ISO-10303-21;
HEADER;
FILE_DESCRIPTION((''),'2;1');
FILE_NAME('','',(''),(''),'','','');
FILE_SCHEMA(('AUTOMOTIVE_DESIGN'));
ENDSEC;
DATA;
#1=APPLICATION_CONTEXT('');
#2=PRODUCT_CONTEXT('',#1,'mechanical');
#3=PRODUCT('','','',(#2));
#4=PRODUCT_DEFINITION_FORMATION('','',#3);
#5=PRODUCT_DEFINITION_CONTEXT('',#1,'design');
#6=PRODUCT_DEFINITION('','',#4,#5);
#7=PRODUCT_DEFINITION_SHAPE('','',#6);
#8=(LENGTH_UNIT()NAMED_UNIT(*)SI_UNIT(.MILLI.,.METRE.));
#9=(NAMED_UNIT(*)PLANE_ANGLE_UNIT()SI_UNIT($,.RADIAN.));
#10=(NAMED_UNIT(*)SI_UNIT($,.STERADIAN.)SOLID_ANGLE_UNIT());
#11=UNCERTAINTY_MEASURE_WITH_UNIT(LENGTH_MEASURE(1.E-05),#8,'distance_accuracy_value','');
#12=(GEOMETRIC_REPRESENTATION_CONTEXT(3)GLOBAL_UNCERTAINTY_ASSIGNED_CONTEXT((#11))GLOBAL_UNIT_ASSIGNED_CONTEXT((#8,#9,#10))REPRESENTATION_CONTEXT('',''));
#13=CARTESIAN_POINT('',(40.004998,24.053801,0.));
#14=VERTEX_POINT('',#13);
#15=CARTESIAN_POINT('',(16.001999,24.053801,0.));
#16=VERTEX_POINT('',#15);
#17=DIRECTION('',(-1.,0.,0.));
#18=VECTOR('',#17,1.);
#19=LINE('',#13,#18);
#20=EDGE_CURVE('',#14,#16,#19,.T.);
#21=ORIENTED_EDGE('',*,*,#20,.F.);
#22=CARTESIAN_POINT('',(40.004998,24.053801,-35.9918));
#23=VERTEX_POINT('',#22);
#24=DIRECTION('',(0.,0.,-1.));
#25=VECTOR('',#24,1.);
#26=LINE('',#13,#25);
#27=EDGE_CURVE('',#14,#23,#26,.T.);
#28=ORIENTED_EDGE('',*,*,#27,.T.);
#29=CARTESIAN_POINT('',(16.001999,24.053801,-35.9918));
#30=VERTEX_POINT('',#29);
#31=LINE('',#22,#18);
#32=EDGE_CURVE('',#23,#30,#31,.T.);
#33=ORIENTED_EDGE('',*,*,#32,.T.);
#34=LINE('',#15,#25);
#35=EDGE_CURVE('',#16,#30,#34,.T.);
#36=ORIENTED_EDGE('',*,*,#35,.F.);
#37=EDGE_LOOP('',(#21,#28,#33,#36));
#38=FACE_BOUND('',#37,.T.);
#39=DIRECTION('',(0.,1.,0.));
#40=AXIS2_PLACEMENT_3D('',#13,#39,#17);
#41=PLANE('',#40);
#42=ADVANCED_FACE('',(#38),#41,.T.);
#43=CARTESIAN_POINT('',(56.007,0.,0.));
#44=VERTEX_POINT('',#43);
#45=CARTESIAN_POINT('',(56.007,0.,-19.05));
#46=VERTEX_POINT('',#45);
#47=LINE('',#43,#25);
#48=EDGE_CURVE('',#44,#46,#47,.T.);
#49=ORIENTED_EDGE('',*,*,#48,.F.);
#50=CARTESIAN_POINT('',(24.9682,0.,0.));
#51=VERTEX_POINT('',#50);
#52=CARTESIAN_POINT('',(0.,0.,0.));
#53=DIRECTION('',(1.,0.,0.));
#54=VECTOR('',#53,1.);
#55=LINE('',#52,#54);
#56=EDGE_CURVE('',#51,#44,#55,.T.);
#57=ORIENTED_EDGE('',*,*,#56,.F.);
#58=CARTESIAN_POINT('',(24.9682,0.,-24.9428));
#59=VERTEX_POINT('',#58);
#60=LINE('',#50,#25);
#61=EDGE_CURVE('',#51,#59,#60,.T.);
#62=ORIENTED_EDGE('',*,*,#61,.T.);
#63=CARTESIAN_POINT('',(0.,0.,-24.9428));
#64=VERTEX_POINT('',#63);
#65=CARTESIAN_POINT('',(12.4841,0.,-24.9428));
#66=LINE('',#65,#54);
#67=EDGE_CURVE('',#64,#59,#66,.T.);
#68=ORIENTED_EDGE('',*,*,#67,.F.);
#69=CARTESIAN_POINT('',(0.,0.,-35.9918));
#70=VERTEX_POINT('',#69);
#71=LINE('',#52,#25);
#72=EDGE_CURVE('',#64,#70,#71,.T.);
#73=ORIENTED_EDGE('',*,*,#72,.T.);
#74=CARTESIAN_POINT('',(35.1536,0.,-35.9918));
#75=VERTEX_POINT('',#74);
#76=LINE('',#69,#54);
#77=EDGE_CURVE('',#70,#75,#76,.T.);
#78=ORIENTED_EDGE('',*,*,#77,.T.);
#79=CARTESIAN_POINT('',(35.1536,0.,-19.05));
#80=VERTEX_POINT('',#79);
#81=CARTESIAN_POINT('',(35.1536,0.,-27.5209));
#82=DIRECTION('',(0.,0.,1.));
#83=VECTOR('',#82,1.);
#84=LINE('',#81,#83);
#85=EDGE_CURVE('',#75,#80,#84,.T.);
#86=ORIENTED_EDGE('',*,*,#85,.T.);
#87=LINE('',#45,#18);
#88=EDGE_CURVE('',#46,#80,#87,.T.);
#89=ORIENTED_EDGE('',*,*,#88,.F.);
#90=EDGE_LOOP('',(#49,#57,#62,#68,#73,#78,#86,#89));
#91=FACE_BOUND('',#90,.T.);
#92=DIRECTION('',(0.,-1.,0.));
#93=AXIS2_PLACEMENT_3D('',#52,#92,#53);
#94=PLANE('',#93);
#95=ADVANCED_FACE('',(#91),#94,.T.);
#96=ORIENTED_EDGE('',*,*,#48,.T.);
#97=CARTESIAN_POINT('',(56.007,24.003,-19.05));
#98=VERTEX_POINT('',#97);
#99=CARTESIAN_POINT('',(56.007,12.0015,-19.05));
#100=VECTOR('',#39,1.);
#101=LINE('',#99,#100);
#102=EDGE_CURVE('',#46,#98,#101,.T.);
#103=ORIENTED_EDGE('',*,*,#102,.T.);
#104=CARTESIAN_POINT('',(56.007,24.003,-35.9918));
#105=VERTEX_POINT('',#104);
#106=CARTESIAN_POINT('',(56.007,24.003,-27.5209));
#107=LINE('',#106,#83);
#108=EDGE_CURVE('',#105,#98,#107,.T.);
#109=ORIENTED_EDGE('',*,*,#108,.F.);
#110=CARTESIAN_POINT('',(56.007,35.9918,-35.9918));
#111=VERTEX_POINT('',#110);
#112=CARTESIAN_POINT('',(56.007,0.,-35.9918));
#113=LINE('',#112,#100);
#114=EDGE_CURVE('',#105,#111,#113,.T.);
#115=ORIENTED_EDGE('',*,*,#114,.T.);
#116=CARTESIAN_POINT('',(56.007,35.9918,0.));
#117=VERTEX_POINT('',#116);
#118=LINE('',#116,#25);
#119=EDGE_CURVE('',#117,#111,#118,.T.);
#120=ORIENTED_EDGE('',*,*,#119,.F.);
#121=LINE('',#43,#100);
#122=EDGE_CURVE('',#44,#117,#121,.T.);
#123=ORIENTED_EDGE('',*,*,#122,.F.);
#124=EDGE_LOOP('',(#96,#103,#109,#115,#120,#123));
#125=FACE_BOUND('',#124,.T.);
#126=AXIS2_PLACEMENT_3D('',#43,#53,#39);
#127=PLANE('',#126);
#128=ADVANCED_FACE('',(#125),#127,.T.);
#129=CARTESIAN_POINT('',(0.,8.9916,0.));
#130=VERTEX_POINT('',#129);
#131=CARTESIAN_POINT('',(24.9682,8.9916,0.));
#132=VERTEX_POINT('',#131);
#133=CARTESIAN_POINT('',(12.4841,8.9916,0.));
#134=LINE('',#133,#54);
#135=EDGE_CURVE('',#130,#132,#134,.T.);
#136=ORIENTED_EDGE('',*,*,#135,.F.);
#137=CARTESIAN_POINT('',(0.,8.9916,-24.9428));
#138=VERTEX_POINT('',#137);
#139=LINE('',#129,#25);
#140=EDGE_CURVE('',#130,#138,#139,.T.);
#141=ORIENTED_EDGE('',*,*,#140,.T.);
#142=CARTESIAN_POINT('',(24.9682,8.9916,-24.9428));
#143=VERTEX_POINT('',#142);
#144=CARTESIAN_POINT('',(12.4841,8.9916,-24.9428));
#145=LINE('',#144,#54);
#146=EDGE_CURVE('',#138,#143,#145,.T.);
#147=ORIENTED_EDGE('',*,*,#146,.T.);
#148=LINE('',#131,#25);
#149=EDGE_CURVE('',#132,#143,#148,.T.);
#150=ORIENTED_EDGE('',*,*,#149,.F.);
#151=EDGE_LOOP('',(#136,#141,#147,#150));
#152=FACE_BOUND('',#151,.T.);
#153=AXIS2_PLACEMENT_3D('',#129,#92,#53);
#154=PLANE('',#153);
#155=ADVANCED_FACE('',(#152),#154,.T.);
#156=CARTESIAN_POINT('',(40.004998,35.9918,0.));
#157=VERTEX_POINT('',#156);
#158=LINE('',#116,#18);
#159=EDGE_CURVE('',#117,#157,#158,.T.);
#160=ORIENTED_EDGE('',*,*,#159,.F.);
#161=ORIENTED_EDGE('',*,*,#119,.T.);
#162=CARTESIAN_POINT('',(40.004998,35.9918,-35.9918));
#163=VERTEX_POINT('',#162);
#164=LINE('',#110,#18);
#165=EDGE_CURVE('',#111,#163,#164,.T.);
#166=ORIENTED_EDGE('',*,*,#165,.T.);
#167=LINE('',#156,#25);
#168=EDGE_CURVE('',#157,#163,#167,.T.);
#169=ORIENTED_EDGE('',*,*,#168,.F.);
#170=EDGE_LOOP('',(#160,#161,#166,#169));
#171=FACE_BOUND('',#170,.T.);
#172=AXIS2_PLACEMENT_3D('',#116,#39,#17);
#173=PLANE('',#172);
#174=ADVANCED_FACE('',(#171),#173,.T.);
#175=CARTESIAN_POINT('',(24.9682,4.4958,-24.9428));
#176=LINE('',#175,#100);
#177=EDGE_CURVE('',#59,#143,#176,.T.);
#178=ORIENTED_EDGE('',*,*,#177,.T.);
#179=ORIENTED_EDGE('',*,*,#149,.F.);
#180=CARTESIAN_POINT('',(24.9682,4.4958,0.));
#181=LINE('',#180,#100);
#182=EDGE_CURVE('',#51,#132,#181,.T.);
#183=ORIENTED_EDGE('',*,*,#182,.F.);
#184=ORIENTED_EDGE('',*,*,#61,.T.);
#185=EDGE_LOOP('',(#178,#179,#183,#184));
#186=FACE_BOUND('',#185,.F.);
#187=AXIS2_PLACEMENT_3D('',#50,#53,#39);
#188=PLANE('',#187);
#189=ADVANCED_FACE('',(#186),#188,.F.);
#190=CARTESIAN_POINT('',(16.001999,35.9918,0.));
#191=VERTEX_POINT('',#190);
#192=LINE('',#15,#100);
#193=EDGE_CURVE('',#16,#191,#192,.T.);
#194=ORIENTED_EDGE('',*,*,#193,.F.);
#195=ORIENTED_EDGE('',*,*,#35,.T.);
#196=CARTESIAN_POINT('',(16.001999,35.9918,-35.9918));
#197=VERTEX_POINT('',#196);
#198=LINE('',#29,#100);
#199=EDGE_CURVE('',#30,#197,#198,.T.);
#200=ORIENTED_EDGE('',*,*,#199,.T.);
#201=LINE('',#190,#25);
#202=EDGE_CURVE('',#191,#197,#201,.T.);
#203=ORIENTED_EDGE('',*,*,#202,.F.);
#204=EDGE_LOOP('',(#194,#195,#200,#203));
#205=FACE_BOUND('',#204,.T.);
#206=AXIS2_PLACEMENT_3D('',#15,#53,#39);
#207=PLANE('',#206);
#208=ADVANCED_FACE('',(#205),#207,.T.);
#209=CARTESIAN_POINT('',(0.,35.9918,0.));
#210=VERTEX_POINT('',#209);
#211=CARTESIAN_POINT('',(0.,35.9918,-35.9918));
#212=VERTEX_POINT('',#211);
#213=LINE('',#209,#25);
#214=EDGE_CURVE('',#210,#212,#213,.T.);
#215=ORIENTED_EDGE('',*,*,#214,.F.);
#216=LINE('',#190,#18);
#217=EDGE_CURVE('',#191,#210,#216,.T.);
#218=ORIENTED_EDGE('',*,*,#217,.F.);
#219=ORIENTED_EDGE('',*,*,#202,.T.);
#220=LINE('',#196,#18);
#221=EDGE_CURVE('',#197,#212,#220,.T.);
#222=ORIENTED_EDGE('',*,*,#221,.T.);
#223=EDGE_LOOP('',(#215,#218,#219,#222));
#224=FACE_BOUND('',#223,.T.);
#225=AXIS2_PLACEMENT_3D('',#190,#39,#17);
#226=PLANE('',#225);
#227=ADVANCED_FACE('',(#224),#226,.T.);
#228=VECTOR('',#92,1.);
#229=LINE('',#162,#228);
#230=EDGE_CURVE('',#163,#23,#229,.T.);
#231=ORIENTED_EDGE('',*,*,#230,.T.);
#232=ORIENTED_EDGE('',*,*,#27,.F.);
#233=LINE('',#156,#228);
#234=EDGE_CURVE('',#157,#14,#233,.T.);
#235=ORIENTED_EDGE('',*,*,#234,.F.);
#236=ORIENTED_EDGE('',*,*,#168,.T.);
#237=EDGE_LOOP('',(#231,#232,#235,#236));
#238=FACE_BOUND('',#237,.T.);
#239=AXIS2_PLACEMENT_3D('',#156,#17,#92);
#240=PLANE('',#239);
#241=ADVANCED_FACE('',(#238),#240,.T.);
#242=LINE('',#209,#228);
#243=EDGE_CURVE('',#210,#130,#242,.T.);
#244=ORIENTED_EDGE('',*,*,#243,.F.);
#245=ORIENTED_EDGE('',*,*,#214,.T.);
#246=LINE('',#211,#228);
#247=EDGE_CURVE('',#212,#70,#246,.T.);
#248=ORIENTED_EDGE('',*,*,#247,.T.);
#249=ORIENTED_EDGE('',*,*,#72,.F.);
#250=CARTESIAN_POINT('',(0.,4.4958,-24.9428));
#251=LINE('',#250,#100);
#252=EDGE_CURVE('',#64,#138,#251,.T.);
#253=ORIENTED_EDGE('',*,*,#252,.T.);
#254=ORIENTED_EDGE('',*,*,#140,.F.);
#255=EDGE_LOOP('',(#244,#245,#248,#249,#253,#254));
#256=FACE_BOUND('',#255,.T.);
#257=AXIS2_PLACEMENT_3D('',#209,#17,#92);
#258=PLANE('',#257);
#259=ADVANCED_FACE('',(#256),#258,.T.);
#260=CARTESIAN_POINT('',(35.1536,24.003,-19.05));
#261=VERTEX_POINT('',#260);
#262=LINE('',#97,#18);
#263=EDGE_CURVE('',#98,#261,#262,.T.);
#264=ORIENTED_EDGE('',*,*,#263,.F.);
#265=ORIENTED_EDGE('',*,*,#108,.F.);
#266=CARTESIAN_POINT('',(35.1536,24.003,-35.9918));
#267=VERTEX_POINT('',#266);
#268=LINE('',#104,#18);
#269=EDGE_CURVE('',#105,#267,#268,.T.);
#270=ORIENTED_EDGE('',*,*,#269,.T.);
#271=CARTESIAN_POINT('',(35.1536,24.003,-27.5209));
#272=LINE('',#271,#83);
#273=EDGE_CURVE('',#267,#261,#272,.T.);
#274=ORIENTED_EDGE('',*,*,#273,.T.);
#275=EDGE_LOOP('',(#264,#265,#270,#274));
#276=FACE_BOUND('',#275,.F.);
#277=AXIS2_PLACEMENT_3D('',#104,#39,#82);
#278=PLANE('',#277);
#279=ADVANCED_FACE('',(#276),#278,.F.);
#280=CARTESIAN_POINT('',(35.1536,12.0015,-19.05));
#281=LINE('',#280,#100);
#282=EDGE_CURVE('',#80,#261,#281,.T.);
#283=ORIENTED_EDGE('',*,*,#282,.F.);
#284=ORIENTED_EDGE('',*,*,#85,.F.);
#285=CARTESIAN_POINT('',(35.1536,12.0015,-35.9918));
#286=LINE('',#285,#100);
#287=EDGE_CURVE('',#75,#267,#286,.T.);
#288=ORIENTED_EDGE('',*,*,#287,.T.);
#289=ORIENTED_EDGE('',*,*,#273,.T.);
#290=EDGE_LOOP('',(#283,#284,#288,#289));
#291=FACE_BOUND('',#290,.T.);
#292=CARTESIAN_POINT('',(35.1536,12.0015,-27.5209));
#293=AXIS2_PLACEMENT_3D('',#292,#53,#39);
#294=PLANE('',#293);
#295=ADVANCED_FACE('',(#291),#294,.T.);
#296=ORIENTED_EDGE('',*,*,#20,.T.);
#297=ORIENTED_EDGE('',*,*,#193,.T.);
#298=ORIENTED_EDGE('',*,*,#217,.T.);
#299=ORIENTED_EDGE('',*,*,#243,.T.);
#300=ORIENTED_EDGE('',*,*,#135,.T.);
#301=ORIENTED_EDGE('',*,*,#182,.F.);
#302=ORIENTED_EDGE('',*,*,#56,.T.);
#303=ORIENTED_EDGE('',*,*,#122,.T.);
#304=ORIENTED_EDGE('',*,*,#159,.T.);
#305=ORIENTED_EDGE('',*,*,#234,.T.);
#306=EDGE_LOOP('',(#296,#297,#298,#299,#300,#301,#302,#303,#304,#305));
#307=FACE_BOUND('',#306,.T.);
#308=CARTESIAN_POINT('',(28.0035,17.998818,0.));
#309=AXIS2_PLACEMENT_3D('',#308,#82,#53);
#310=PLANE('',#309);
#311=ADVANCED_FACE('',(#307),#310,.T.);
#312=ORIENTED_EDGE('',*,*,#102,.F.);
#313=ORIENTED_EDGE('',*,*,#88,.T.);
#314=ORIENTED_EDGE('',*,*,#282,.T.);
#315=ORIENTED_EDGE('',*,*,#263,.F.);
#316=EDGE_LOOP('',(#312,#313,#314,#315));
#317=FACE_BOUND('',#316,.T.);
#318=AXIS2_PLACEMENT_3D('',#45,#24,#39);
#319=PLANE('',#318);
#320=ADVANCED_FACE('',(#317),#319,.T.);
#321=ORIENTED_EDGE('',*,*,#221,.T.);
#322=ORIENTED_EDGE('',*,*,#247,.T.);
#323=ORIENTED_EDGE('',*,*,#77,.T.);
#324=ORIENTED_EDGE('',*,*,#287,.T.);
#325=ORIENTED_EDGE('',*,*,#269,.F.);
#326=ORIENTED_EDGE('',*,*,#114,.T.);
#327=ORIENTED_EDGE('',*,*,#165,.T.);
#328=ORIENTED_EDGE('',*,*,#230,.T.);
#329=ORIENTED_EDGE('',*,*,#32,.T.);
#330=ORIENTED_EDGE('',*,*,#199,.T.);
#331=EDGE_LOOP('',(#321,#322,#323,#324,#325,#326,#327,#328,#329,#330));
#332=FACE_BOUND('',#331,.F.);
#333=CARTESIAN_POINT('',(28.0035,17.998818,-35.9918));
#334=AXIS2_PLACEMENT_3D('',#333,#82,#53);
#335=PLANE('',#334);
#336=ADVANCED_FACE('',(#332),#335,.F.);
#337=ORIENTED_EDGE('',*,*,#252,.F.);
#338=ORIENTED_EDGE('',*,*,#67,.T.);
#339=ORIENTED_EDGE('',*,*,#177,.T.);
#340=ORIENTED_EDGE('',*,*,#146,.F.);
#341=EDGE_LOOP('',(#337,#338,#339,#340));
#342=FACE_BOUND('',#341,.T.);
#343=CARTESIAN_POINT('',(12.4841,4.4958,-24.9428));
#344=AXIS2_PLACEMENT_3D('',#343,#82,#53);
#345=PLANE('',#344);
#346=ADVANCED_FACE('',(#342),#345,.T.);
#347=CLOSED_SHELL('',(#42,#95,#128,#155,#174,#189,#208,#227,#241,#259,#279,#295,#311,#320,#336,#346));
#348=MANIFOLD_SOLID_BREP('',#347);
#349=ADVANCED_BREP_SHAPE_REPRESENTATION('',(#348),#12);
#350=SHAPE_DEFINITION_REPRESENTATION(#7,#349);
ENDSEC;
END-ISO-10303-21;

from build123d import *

# Parameters (mm, degrees)
F1_DEPTH = 35.9918
F2_W     = 24.003
F2_H     = 16.9418
F3_DEPTH = 20.8534
F4_W     = 24.9682
F4_H     = 8.9916
F5_DEPTH = 24.9428


with BuildPart() as f1:
    # F0 (on Top) → F1 (new body)
    with BuildSketch(Plane.XY):
        Polygon((0, 35.9918), (0, 0), (56.007, 0), (56.007, 35.9918), (40.004998, 35.9918), (40.004998, 24.053801), (16.001999, 24.053801), (16.001999, 35.9918), align=None)
    extrude(amount=-F1_DEPTH)

    # F2 (on face) → F3 (cut)
    with BuildSketch(Plane.YZ.offset(56.007)):
        with Locations((12.0015, -27.5209)):
            Rectangle(F2_W, F2_H)
    extrude(amount=-F3_DEPTH, mode=Mode.SUBTRACT)

    # F4 (on face) → F5 (cut)
    with BuildSketch(Plane.XY):
        with Locations((12.4841, 4.4958)):
            Rectangle(F4_W, F4_H)
    extrude(amount=-F5_DEPTH, mode=Mode.SUBTRACT)


solid = f1.part
